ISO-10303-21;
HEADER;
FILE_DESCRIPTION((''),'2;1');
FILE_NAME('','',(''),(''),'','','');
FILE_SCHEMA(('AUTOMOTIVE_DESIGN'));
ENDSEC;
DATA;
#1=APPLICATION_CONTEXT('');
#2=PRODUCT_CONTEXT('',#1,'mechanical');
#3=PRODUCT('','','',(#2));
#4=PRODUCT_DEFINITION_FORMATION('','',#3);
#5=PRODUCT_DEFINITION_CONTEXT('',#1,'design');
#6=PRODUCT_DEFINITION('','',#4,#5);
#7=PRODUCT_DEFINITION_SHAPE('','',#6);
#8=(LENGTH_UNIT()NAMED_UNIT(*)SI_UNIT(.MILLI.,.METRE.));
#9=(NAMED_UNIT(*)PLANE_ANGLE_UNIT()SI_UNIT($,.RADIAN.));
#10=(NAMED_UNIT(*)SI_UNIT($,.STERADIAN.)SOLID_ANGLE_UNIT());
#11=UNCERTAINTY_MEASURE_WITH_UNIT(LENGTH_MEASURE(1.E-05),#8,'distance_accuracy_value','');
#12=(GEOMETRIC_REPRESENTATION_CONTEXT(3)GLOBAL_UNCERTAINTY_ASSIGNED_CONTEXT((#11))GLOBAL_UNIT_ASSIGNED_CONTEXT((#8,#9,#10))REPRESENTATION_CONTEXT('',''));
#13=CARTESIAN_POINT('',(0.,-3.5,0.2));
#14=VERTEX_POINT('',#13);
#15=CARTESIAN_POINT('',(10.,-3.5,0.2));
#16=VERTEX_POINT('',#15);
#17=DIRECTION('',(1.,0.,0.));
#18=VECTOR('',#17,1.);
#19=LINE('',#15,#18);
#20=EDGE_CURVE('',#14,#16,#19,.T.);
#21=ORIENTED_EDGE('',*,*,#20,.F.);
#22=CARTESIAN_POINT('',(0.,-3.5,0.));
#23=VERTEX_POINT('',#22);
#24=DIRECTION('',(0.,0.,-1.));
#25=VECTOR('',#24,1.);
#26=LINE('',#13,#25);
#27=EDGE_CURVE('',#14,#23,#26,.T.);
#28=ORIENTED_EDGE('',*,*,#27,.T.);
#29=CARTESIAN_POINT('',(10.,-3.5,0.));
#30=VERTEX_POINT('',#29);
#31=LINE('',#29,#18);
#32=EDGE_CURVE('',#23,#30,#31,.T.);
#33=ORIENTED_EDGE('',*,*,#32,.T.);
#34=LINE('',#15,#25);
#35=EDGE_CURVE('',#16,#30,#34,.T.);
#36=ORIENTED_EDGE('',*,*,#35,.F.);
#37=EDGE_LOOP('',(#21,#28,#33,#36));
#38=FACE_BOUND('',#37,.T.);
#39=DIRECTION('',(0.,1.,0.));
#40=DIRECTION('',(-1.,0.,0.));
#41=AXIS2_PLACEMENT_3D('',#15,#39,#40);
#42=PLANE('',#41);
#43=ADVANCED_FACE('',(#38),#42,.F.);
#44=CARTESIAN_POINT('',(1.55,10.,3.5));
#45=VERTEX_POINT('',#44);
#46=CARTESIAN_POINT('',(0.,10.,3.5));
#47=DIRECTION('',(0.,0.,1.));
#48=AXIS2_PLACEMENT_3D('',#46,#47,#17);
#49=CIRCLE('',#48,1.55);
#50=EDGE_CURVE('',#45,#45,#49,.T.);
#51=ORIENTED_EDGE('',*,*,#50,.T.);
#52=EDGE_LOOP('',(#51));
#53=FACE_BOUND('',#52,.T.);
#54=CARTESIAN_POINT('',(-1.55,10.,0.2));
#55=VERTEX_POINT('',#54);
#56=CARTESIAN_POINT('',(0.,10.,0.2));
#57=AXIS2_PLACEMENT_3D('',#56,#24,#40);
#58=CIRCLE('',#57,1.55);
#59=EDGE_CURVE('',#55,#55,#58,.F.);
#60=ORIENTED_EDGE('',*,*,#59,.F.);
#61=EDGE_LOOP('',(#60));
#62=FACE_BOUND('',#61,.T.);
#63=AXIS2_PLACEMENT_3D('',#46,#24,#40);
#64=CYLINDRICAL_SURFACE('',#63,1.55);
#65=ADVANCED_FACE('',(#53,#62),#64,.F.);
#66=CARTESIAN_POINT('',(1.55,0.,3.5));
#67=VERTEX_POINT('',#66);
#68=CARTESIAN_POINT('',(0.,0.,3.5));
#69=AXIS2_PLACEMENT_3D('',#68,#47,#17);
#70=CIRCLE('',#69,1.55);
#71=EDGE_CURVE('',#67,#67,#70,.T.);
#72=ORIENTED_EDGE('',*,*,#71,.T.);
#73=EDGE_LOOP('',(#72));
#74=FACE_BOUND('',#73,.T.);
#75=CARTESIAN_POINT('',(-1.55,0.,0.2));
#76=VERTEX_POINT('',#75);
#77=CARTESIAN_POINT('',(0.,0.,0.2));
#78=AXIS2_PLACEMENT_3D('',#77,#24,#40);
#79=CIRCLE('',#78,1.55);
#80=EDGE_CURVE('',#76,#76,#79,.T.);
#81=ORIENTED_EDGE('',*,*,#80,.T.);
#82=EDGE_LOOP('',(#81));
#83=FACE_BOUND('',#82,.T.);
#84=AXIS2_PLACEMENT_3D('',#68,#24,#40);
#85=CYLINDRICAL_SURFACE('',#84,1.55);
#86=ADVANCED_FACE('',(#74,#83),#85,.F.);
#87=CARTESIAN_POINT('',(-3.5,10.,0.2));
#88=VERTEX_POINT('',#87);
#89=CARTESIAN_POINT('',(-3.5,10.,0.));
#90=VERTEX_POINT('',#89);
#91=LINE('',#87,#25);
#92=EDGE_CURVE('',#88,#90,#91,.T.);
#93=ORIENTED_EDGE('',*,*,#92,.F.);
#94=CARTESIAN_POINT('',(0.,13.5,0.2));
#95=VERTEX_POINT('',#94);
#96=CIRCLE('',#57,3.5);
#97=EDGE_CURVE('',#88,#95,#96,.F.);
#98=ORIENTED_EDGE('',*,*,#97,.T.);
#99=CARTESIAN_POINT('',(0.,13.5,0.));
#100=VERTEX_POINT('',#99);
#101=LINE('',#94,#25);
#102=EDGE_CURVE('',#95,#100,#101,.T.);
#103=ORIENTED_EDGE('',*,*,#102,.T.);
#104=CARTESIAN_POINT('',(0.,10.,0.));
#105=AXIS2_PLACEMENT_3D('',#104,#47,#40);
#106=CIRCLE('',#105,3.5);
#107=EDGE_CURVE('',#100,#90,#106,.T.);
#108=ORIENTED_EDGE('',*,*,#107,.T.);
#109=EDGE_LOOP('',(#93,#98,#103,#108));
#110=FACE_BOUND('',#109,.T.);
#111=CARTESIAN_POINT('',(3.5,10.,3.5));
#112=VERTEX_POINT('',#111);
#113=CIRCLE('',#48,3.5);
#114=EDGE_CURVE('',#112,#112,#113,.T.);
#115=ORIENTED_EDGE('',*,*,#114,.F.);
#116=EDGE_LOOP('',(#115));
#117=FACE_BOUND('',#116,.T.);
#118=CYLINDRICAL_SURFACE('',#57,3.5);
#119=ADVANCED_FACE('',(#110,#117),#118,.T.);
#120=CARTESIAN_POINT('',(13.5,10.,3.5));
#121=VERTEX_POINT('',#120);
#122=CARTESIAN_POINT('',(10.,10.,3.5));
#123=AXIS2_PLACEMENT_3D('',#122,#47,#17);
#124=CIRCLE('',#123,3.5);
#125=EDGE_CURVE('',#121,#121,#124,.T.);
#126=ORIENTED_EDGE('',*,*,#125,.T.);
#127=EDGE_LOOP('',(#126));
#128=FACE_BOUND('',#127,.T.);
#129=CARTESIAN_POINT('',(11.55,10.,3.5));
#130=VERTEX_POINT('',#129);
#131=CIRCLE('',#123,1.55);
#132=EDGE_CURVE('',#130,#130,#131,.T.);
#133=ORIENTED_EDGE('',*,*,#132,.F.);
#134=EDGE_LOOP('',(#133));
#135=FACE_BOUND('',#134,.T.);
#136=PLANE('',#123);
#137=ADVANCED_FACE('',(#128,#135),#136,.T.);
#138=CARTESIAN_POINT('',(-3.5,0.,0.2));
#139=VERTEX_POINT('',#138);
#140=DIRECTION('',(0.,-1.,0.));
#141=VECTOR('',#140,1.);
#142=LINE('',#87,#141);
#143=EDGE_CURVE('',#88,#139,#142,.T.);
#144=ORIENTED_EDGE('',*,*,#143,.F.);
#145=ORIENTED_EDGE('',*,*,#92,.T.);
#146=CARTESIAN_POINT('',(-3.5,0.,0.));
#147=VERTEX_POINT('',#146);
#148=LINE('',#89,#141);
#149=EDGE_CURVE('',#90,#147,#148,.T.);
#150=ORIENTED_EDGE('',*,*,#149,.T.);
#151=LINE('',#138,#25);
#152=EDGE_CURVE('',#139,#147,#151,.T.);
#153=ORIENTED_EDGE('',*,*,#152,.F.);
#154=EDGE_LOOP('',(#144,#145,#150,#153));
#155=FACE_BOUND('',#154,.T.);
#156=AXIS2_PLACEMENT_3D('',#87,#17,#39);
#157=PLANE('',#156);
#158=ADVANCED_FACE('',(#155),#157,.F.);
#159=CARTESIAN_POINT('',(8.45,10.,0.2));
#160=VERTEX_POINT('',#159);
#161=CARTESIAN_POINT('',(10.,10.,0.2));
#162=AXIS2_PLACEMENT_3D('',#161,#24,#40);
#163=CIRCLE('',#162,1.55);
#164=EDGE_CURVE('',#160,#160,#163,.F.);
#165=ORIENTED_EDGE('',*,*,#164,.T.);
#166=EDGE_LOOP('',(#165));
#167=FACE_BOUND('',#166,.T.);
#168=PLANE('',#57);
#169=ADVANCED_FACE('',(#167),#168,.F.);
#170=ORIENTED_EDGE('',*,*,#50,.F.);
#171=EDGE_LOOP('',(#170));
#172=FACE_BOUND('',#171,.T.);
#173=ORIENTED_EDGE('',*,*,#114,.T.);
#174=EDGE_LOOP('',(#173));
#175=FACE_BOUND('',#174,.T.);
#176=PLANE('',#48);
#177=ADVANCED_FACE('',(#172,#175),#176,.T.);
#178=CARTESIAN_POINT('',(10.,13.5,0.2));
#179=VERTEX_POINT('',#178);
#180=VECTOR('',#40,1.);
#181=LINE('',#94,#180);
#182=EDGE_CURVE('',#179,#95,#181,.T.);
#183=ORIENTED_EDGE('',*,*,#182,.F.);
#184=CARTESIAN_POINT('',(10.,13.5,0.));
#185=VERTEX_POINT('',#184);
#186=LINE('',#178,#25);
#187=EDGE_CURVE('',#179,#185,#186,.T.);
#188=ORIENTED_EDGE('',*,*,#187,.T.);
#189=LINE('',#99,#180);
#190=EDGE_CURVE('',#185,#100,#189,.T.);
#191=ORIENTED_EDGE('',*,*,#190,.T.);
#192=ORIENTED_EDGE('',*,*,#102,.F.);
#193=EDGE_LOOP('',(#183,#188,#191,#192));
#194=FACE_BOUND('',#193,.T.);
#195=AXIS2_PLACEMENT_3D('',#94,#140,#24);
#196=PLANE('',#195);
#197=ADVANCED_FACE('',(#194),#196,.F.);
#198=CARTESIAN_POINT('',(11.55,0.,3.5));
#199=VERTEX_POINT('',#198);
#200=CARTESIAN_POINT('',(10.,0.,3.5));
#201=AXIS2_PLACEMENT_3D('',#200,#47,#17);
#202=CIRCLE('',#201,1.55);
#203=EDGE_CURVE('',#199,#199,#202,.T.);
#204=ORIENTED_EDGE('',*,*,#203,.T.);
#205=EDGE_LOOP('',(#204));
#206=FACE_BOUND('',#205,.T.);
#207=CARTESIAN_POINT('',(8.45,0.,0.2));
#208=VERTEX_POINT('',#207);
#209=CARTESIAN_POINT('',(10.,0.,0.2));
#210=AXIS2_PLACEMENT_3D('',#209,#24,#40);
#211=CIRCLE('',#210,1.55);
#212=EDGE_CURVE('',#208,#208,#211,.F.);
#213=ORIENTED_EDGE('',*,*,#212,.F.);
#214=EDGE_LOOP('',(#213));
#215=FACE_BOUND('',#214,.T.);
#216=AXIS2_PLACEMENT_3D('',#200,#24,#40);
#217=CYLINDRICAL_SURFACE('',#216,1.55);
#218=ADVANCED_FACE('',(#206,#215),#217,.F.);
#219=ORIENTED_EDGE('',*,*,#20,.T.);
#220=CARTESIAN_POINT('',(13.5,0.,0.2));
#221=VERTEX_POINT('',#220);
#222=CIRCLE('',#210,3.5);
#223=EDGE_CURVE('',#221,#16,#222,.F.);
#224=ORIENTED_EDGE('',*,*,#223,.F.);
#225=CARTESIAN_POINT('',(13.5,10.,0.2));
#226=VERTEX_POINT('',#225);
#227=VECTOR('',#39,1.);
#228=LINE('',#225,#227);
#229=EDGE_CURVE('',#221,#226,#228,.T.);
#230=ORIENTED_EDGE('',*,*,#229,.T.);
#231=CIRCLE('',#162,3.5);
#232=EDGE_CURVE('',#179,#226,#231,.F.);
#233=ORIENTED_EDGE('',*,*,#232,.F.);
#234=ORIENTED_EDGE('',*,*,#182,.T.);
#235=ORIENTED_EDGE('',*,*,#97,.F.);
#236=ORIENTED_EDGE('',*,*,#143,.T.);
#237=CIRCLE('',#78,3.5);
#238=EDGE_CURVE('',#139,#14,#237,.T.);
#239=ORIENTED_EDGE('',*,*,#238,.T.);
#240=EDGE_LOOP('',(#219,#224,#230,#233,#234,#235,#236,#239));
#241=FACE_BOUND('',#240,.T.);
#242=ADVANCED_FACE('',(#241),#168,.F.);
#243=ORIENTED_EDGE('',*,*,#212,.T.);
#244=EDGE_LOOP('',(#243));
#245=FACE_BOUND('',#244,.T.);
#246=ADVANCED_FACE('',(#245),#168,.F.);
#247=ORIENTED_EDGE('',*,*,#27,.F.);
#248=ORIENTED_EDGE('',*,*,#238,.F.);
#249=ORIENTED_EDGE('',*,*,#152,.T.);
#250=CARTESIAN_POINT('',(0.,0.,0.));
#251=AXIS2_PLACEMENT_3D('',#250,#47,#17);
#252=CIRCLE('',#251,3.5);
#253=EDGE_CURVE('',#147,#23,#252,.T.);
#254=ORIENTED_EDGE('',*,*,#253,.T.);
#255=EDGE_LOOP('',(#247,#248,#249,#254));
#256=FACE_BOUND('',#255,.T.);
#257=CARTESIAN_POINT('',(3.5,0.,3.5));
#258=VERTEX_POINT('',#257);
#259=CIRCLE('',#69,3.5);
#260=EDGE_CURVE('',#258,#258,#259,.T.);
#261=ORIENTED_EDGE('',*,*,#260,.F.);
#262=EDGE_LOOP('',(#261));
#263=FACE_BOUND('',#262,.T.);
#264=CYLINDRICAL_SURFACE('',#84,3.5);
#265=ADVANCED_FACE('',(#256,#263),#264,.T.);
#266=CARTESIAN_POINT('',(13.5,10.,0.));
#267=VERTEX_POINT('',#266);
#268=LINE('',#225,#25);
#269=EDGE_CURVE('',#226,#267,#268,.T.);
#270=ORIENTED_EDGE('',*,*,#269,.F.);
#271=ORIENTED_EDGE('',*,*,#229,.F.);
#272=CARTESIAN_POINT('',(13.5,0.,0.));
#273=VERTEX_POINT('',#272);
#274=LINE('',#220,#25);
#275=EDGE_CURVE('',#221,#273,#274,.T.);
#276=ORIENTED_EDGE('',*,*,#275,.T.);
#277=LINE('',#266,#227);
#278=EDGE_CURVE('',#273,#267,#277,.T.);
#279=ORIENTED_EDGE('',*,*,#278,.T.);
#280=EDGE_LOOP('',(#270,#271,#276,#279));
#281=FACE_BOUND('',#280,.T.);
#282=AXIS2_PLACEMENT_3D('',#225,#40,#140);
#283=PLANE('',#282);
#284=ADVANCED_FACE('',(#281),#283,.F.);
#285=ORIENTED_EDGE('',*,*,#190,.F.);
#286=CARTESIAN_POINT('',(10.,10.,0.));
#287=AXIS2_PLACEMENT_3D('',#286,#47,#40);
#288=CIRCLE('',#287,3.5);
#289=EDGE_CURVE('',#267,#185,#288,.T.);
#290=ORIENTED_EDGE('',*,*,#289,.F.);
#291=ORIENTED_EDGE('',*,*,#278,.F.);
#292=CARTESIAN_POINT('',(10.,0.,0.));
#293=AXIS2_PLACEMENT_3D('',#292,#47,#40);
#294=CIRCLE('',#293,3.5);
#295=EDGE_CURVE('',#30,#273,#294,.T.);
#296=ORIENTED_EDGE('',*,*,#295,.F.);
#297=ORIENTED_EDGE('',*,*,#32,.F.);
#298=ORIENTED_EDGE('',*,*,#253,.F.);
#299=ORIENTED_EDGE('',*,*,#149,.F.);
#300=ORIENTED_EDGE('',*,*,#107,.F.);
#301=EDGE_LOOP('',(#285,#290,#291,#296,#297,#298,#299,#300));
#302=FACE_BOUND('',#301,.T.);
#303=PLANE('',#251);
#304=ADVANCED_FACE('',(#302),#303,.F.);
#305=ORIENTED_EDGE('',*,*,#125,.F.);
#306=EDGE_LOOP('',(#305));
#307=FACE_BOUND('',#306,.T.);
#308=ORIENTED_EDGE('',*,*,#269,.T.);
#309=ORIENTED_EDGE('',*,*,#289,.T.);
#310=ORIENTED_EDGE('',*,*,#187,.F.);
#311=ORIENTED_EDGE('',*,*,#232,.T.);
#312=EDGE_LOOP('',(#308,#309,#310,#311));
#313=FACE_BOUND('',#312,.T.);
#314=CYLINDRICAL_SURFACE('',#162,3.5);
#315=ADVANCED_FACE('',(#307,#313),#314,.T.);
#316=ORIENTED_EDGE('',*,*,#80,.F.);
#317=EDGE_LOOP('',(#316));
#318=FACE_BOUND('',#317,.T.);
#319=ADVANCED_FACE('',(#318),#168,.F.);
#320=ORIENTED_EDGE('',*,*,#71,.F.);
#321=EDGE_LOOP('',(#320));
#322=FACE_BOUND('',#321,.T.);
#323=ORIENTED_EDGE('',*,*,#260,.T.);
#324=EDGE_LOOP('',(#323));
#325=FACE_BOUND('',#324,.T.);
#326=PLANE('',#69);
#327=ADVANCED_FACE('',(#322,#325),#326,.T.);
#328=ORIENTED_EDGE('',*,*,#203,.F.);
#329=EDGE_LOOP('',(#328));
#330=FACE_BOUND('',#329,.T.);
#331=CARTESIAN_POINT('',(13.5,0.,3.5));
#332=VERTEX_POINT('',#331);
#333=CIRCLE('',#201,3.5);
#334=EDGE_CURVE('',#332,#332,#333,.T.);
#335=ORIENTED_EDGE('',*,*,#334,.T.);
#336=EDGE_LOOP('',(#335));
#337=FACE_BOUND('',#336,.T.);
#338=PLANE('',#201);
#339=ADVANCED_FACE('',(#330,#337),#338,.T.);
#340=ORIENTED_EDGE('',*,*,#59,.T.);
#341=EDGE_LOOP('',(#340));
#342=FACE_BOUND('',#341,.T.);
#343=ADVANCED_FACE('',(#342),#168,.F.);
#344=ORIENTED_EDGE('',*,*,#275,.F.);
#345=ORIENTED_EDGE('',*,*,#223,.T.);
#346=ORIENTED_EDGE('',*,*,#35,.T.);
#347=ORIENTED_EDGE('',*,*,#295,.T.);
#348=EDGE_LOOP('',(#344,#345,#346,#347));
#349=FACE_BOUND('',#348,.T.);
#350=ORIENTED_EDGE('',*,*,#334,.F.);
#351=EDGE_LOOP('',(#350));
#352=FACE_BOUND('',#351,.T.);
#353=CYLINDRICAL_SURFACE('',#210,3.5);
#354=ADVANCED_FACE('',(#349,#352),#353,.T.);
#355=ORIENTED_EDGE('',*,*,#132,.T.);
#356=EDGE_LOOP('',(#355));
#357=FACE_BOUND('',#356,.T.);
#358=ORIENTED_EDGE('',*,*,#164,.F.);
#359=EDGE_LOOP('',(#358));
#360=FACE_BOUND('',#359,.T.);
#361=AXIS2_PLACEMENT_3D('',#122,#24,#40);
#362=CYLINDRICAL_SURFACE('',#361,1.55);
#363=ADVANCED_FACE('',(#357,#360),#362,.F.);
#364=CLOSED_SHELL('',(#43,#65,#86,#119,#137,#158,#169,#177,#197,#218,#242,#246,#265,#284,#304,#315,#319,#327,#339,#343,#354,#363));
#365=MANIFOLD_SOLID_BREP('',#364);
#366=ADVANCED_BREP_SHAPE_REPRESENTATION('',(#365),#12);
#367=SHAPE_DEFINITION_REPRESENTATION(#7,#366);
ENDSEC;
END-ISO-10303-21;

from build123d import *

# Parameters (mm, degrees)
SKETCH1_R             = 3.5
SKETCH1_R_2           = 1.55
BOSS_EXTRUDE1_DEPTH   = 3.5
BOSS_EXTRUDE1_2_DEPTH = 3.5
BOSS_EXTRUDE1_3_DEPTH = 3.5
BOSS_EXTRUDE1_4_DEPTH = 3.5
BOSS_EXTRUDE2_DEPTH   = 0.2


with BuildPart() as part:
    # Sketch1 → Boss-Extrude1 (new body)
    with BuildSketch(Plane.XY):
        Circle(SKETCH1_R)
        Circle(SKETCH1_R_2, mode=Mode.SUBTRACT)
    extrude(amount=BOSS_EXTRUDE1_DEPTH)



with BuildPart() as body_2:
    # Sketch1 → Boss-Extrude1 2 (new body)
    with BuildSketch(Plane.XY):
        with Locations((10, 0)):
            Circle(SKETCH1_R)
        with Locations((10, 0)):
            Circle(SKETCH1_R_2, mode=Mode.SUBTRACT)
    extrude(amount=BOSS_EXTRUDE1_2_DEPTH)


with BuildPart() as body_3:
    # Sketch1 → Boss-Extrude1 3 (new body)
    with BuildSketch(Plane.XY):
        with Locations((10, 10)):
            Circle(SKETCH1_R)
        with Locations((10, 10)):
            Circle(SKETCH1_R_2, mode=Mode.SUBTRACT)
    extrude(amount=BOSS_EXTRUDE1_3_DEPTH)


with BuildPart() as body_4:
    # Sketch1 → Boss-Extrude1 4 (new body)
    with BuildSketch(Plane.XY):
        with Locations((0, 10)):
            Circle(SKETCH1_R)
        with Locations((0, 10)):
            Circle(SKETCH1_R_2, mode=Mode.SUBTRACT)
    extrude(amount=BOSS_EXTRUDE1_4_DEPTH)


with BuildPart() as part_1:
    add(part.part)

    add(body_2.part)  # Boss-Extrude2 merges body 2

    add(body_3.part)  # Boss-Extrude2 merges body 3

    add(body_4.part)  # Boss-Extrude2 merges body 4
    # Sketch2 → Boss-Extrude2 (add)
    with BuildSketch(Plane.XY):
        with BuildLine():
            Line((-3.5, 10), (-3.5, 0))
            ThreePointArc((-3.5, 0), (-2.474873734, -2.474873734), (0, -3.5))
            Line((0, -3.5), (10, -3.5))
            ThreePointArc((10, -3.5), (12.474873734, -2.474873734), (13.5, 0))
            Line((13.5, 0), (13.5, 10))
            ThreePointArc((13.5, 10), (12.474873734, 12.474873734), (10, 13.5))
            Line((10, 13.5), (0, 13.5))
            ThreePointArc((0, 13.5), (-2.474873734, 12.474873734), (-3.5, 10))
        make_face()
    extrude(amount=BOSS_EXTRUDE2_DEPTH)


solid = part_1.part
